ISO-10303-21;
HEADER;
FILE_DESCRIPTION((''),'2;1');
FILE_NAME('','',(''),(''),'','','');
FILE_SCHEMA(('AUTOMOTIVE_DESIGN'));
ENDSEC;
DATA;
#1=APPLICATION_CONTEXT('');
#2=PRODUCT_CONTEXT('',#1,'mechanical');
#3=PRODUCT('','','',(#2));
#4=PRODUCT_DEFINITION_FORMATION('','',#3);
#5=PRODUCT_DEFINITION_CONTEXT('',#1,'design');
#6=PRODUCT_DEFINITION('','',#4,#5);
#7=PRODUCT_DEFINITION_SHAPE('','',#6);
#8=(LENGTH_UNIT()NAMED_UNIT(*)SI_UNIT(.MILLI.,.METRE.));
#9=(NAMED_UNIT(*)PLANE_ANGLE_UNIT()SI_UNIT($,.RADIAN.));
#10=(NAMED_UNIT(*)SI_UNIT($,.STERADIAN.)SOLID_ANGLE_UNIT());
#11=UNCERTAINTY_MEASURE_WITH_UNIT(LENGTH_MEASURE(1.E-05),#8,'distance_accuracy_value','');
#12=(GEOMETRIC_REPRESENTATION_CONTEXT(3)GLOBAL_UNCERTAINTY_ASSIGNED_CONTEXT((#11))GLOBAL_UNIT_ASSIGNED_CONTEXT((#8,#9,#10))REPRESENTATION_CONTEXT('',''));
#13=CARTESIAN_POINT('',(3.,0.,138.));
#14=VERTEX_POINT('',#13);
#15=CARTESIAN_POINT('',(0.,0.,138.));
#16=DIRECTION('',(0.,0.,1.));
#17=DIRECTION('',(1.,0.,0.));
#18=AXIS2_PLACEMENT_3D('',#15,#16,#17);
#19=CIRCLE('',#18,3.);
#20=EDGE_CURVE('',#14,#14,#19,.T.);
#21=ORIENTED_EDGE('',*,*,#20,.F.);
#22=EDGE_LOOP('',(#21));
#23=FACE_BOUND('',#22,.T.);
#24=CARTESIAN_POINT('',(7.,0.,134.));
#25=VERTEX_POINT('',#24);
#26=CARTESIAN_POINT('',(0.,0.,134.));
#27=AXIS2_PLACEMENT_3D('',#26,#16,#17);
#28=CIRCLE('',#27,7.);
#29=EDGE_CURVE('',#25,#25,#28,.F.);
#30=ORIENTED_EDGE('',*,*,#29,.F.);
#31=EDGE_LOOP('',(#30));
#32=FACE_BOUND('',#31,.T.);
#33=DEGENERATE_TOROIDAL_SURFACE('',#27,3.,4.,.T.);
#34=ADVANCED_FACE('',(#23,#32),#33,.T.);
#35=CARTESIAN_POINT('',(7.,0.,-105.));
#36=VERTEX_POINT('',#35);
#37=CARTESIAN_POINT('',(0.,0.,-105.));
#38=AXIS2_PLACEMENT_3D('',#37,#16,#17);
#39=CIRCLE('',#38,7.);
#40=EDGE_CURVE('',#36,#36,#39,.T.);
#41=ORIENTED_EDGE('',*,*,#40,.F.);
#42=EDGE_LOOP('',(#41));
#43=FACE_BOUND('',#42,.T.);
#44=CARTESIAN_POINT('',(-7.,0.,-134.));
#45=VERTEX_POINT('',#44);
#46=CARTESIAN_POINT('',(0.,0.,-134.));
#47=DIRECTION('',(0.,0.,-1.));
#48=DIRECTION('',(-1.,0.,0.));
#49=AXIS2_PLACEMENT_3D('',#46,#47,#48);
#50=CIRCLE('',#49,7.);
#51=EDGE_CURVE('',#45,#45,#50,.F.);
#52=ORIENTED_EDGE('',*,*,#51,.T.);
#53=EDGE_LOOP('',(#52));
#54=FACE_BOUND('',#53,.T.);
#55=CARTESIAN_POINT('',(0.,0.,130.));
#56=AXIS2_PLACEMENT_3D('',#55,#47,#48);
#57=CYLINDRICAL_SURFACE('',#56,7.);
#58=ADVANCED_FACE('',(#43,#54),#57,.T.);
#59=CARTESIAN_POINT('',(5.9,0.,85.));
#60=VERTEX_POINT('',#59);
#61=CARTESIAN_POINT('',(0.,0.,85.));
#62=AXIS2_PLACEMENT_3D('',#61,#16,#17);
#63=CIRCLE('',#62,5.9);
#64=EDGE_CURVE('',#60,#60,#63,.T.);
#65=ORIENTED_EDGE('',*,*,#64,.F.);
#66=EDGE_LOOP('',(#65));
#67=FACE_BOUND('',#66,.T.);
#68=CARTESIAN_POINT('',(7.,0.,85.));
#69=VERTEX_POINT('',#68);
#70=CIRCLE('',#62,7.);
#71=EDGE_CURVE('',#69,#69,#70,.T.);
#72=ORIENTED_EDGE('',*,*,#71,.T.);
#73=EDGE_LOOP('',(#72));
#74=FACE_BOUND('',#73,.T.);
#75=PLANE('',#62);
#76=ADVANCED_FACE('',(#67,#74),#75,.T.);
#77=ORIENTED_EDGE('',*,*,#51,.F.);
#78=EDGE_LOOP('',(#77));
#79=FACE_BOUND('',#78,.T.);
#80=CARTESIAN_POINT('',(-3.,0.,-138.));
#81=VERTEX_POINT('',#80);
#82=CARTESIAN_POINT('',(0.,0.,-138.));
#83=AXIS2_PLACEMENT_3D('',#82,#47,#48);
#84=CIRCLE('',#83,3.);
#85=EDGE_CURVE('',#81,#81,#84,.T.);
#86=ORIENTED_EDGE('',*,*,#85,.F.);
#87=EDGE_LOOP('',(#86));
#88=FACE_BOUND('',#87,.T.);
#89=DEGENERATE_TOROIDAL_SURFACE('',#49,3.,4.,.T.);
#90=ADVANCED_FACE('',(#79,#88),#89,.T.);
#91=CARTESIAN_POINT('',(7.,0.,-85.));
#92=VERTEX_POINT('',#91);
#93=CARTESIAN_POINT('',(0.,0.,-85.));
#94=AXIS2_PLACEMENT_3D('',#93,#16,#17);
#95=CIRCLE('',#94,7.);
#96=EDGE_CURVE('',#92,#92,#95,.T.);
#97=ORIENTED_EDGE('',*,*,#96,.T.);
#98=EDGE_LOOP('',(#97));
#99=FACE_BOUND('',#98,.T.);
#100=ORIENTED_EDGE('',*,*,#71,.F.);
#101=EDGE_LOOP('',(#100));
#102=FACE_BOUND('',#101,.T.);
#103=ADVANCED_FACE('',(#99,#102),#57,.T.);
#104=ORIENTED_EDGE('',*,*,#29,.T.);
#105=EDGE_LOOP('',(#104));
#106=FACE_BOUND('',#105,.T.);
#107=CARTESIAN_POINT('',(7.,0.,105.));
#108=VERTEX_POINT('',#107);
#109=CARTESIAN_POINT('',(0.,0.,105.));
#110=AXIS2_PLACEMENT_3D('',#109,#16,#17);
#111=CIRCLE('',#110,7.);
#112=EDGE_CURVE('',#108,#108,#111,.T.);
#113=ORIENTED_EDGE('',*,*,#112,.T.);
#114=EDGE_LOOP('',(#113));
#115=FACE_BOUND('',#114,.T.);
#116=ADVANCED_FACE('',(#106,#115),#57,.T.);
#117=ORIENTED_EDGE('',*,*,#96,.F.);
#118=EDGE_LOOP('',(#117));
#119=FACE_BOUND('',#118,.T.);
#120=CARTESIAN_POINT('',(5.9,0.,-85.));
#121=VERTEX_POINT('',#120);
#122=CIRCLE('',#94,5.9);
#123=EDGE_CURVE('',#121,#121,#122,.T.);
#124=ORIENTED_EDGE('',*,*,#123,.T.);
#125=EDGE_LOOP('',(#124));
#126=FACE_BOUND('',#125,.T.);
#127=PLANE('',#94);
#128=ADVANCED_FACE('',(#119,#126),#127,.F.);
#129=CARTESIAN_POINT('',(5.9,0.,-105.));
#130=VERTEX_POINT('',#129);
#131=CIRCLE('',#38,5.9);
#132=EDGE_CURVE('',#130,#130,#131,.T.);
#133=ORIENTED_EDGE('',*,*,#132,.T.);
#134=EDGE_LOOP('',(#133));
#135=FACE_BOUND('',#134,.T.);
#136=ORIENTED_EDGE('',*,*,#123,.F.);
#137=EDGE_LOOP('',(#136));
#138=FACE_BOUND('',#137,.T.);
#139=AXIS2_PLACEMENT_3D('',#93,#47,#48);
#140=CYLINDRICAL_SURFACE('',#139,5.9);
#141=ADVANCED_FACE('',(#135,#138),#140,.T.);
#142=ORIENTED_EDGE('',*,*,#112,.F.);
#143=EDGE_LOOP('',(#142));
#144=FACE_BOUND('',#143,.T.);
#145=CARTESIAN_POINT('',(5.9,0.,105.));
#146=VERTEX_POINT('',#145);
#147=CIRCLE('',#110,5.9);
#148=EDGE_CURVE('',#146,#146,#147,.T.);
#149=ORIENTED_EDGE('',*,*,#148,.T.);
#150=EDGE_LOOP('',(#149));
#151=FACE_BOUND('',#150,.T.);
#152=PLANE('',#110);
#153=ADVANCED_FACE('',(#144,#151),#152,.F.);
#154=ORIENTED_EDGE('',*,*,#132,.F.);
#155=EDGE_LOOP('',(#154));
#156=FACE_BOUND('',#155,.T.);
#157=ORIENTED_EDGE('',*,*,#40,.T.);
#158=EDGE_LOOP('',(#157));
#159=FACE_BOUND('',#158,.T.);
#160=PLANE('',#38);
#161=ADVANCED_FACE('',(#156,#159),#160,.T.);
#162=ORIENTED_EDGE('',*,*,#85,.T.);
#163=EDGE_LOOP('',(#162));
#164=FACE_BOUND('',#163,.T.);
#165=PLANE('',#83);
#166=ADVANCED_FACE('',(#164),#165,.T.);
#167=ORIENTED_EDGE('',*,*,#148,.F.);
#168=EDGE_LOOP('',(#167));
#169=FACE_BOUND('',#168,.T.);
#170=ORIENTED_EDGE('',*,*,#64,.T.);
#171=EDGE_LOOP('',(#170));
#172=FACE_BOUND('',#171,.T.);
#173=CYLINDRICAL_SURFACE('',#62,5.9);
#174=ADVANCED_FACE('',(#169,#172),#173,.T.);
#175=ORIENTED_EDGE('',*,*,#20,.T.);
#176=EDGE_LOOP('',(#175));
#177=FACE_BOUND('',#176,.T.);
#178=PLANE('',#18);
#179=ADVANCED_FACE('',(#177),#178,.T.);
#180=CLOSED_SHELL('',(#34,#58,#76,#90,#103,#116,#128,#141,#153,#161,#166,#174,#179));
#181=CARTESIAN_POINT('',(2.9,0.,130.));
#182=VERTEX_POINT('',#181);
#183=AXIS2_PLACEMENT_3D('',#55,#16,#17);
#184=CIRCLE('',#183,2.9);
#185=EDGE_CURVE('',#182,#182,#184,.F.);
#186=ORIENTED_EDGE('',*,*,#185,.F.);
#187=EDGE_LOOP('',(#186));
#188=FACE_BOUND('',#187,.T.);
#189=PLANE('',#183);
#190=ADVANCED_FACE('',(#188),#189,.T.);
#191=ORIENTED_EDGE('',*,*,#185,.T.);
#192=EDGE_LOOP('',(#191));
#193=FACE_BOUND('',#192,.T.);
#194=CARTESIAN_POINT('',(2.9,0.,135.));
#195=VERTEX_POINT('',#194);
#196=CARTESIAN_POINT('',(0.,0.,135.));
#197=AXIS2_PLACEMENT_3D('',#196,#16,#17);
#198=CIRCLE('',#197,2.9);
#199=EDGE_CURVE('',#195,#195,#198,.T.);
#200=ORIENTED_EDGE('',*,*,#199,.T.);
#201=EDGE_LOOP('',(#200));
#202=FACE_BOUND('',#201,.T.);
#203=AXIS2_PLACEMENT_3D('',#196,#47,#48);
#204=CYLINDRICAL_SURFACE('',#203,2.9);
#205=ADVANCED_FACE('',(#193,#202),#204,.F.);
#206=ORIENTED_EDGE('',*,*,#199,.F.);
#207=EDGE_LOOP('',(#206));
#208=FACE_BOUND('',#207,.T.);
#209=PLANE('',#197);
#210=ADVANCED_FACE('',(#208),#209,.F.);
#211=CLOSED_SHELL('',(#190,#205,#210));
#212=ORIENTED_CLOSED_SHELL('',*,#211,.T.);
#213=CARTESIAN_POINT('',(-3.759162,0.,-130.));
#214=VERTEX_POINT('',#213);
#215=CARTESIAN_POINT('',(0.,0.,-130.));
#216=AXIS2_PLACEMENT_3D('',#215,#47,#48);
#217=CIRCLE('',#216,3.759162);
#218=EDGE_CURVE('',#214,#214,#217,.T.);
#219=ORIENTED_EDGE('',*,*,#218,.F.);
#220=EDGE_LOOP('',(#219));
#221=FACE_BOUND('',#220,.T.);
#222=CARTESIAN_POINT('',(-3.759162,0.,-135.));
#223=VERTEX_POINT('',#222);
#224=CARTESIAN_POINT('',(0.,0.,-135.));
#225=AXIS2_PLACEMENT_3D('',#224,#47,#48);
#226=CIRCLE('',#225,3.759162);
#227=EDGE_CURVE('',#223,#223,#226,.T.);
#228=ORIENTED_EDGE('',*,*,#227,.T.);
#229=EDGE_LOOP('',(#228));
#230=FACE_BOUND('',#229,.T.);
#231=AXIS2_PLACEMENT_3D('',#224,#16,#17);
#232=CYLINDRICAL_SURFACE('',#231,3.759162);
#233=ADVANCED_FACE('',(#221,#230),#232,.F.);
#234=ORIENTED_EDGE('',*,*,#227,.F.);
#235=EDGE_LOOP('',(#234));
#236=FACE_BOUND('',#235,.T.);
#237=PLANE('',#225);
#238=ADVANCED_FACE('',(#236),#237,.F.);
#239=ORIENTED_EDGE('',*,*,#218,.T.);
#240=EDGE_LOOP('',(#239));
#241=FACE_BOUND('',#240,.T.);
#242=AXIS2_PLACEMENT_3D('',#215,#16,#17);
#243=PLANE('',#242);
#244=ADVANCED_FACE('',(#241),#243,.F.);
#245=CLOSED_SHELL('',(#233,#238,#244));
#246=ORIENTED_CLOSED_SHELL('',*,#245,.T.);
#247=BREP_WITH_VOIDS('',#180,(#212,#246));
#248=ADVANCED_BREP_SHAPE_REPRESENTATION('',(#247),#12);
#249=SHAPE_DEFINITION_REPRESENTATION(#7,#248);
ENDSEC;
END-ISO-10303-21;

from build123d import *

# Parameters (mm, degrees)
SKETCH1_R            = 7
BOSS_EXTRUDE1_DEPTH  = 130
SKETCH9_R            = 7
SKETCH9_R_2          = 3.759161882
BOSS_EXTRUDE7_DEPTH  = 5
SKETCH10_R           = 7
BOSS_EXTRUDE8_DEPTH  = 3
FILLET6_R            = 4
SKETCH12_R           = 7
SKETCH12_R_2         = 2.9
BOSS_EXTRUDE9_DEPTH  = 5
SKETCH13_R           = 7
BOSS_EXTRUDE10_DEPTH = 3
FILLET7_R            = 4
SKETCH15_R           = 7
SKETCH15_R_2         = 5.9
CUT_EXTRUDE1_DEPTH   = 20
SKETCH16_R           = 7
SKETCH16_R_2         = 5.9
CUT_EXTRUDE2_DEPTH   = 20


with BuildPart() as part:
    # Sketch1 → Boss-Extrude1 (new body, symmetric)
    with BuildSketch(Plane.XY):
        Circle(SKETCH1_R)
    extrude(amount=BOSS_EXTRUDE1_DEPTH, both=True)

    # Sketch9 → Boss-Extrude7 (add)
    with BuildSketch(Plane(origin=(0, 0, -130), x_dir=(-1, 0, 0), z_dir=(0, 0, -1))):
        Circle(SKETCH9_R)
        Circle(SKETCH9_R_2, mode=Mode.SUBTRACT)
    extrude(amount=BOSS_EXTRUDE7_DEPTH)

    # Sketch10 → Boss-Extrude8 (add)
    with BuildSketch(Plane(origin=(0, 0, -135), x_dir=(-1, 0, 0), z_dir=(0, 0, -1))):
        Circle(SKETCH10_R)
    extrude(amount=BOSS_EXTRUDE8_DEPTH)

    # Fillet6
    fillet6_edges = [part.edges().sort_by_distance(p)[0] for p in [
        (7, 0, -138),
    ]]
    fillet(fillet6_edges, radius=FILLET6_R)

    # Sketch12 → Boss-Extrude9 (add)
    with BuildSketch(Plane.XY.offset(130)):
        Circle(SKETCH12_R)
        Circle(SKETCH12_R_2, mode=Mode.SUBTRACT)
    extrude(amount=BOSS_EXTRUDE9_DEPTH)

    # Sketch13 → Boss-Extrude10 (add)
    with BuildSketch(Plane.XY.offset(135)):
        Circle(SKETCH13_R)
    extrude(amount=BOSS_EXTRUDE10_DEPTH)

    # Fillet7
    fillet7_edges = [part.edges().sort_by_distance(p)[0] for p in [
        (-7, 0, 138),
    ]]
    fillet(fillet7_edges, radius=FILLET7_R)

    # Sketch15 → Cut-Extrude1 (cut)
    with BuildSketch(Plane.XY.offset(105)):
        Circle(SKETCH15_R)
        Circle(SKETCH15_R_2, mode=Mode.SUBTRACT)
    extrude(amount=-CUT_EXTRUDE1_DEPTH, mode=Mode.SUBTRACT)

    # Sketch16 → Cut-Extrude2 (cut)
    with BuildSketch(Plane.XY.offset(-105)):
        Circle(SKETCH16_R)
        Circle(SKETCH16_R_2, mode=Mode.SUBTRACT)
    extrude(amount=CUT_EXTRUDE2_DEPTH, mode=Mode.SUBTRACT)


solid = part.part
